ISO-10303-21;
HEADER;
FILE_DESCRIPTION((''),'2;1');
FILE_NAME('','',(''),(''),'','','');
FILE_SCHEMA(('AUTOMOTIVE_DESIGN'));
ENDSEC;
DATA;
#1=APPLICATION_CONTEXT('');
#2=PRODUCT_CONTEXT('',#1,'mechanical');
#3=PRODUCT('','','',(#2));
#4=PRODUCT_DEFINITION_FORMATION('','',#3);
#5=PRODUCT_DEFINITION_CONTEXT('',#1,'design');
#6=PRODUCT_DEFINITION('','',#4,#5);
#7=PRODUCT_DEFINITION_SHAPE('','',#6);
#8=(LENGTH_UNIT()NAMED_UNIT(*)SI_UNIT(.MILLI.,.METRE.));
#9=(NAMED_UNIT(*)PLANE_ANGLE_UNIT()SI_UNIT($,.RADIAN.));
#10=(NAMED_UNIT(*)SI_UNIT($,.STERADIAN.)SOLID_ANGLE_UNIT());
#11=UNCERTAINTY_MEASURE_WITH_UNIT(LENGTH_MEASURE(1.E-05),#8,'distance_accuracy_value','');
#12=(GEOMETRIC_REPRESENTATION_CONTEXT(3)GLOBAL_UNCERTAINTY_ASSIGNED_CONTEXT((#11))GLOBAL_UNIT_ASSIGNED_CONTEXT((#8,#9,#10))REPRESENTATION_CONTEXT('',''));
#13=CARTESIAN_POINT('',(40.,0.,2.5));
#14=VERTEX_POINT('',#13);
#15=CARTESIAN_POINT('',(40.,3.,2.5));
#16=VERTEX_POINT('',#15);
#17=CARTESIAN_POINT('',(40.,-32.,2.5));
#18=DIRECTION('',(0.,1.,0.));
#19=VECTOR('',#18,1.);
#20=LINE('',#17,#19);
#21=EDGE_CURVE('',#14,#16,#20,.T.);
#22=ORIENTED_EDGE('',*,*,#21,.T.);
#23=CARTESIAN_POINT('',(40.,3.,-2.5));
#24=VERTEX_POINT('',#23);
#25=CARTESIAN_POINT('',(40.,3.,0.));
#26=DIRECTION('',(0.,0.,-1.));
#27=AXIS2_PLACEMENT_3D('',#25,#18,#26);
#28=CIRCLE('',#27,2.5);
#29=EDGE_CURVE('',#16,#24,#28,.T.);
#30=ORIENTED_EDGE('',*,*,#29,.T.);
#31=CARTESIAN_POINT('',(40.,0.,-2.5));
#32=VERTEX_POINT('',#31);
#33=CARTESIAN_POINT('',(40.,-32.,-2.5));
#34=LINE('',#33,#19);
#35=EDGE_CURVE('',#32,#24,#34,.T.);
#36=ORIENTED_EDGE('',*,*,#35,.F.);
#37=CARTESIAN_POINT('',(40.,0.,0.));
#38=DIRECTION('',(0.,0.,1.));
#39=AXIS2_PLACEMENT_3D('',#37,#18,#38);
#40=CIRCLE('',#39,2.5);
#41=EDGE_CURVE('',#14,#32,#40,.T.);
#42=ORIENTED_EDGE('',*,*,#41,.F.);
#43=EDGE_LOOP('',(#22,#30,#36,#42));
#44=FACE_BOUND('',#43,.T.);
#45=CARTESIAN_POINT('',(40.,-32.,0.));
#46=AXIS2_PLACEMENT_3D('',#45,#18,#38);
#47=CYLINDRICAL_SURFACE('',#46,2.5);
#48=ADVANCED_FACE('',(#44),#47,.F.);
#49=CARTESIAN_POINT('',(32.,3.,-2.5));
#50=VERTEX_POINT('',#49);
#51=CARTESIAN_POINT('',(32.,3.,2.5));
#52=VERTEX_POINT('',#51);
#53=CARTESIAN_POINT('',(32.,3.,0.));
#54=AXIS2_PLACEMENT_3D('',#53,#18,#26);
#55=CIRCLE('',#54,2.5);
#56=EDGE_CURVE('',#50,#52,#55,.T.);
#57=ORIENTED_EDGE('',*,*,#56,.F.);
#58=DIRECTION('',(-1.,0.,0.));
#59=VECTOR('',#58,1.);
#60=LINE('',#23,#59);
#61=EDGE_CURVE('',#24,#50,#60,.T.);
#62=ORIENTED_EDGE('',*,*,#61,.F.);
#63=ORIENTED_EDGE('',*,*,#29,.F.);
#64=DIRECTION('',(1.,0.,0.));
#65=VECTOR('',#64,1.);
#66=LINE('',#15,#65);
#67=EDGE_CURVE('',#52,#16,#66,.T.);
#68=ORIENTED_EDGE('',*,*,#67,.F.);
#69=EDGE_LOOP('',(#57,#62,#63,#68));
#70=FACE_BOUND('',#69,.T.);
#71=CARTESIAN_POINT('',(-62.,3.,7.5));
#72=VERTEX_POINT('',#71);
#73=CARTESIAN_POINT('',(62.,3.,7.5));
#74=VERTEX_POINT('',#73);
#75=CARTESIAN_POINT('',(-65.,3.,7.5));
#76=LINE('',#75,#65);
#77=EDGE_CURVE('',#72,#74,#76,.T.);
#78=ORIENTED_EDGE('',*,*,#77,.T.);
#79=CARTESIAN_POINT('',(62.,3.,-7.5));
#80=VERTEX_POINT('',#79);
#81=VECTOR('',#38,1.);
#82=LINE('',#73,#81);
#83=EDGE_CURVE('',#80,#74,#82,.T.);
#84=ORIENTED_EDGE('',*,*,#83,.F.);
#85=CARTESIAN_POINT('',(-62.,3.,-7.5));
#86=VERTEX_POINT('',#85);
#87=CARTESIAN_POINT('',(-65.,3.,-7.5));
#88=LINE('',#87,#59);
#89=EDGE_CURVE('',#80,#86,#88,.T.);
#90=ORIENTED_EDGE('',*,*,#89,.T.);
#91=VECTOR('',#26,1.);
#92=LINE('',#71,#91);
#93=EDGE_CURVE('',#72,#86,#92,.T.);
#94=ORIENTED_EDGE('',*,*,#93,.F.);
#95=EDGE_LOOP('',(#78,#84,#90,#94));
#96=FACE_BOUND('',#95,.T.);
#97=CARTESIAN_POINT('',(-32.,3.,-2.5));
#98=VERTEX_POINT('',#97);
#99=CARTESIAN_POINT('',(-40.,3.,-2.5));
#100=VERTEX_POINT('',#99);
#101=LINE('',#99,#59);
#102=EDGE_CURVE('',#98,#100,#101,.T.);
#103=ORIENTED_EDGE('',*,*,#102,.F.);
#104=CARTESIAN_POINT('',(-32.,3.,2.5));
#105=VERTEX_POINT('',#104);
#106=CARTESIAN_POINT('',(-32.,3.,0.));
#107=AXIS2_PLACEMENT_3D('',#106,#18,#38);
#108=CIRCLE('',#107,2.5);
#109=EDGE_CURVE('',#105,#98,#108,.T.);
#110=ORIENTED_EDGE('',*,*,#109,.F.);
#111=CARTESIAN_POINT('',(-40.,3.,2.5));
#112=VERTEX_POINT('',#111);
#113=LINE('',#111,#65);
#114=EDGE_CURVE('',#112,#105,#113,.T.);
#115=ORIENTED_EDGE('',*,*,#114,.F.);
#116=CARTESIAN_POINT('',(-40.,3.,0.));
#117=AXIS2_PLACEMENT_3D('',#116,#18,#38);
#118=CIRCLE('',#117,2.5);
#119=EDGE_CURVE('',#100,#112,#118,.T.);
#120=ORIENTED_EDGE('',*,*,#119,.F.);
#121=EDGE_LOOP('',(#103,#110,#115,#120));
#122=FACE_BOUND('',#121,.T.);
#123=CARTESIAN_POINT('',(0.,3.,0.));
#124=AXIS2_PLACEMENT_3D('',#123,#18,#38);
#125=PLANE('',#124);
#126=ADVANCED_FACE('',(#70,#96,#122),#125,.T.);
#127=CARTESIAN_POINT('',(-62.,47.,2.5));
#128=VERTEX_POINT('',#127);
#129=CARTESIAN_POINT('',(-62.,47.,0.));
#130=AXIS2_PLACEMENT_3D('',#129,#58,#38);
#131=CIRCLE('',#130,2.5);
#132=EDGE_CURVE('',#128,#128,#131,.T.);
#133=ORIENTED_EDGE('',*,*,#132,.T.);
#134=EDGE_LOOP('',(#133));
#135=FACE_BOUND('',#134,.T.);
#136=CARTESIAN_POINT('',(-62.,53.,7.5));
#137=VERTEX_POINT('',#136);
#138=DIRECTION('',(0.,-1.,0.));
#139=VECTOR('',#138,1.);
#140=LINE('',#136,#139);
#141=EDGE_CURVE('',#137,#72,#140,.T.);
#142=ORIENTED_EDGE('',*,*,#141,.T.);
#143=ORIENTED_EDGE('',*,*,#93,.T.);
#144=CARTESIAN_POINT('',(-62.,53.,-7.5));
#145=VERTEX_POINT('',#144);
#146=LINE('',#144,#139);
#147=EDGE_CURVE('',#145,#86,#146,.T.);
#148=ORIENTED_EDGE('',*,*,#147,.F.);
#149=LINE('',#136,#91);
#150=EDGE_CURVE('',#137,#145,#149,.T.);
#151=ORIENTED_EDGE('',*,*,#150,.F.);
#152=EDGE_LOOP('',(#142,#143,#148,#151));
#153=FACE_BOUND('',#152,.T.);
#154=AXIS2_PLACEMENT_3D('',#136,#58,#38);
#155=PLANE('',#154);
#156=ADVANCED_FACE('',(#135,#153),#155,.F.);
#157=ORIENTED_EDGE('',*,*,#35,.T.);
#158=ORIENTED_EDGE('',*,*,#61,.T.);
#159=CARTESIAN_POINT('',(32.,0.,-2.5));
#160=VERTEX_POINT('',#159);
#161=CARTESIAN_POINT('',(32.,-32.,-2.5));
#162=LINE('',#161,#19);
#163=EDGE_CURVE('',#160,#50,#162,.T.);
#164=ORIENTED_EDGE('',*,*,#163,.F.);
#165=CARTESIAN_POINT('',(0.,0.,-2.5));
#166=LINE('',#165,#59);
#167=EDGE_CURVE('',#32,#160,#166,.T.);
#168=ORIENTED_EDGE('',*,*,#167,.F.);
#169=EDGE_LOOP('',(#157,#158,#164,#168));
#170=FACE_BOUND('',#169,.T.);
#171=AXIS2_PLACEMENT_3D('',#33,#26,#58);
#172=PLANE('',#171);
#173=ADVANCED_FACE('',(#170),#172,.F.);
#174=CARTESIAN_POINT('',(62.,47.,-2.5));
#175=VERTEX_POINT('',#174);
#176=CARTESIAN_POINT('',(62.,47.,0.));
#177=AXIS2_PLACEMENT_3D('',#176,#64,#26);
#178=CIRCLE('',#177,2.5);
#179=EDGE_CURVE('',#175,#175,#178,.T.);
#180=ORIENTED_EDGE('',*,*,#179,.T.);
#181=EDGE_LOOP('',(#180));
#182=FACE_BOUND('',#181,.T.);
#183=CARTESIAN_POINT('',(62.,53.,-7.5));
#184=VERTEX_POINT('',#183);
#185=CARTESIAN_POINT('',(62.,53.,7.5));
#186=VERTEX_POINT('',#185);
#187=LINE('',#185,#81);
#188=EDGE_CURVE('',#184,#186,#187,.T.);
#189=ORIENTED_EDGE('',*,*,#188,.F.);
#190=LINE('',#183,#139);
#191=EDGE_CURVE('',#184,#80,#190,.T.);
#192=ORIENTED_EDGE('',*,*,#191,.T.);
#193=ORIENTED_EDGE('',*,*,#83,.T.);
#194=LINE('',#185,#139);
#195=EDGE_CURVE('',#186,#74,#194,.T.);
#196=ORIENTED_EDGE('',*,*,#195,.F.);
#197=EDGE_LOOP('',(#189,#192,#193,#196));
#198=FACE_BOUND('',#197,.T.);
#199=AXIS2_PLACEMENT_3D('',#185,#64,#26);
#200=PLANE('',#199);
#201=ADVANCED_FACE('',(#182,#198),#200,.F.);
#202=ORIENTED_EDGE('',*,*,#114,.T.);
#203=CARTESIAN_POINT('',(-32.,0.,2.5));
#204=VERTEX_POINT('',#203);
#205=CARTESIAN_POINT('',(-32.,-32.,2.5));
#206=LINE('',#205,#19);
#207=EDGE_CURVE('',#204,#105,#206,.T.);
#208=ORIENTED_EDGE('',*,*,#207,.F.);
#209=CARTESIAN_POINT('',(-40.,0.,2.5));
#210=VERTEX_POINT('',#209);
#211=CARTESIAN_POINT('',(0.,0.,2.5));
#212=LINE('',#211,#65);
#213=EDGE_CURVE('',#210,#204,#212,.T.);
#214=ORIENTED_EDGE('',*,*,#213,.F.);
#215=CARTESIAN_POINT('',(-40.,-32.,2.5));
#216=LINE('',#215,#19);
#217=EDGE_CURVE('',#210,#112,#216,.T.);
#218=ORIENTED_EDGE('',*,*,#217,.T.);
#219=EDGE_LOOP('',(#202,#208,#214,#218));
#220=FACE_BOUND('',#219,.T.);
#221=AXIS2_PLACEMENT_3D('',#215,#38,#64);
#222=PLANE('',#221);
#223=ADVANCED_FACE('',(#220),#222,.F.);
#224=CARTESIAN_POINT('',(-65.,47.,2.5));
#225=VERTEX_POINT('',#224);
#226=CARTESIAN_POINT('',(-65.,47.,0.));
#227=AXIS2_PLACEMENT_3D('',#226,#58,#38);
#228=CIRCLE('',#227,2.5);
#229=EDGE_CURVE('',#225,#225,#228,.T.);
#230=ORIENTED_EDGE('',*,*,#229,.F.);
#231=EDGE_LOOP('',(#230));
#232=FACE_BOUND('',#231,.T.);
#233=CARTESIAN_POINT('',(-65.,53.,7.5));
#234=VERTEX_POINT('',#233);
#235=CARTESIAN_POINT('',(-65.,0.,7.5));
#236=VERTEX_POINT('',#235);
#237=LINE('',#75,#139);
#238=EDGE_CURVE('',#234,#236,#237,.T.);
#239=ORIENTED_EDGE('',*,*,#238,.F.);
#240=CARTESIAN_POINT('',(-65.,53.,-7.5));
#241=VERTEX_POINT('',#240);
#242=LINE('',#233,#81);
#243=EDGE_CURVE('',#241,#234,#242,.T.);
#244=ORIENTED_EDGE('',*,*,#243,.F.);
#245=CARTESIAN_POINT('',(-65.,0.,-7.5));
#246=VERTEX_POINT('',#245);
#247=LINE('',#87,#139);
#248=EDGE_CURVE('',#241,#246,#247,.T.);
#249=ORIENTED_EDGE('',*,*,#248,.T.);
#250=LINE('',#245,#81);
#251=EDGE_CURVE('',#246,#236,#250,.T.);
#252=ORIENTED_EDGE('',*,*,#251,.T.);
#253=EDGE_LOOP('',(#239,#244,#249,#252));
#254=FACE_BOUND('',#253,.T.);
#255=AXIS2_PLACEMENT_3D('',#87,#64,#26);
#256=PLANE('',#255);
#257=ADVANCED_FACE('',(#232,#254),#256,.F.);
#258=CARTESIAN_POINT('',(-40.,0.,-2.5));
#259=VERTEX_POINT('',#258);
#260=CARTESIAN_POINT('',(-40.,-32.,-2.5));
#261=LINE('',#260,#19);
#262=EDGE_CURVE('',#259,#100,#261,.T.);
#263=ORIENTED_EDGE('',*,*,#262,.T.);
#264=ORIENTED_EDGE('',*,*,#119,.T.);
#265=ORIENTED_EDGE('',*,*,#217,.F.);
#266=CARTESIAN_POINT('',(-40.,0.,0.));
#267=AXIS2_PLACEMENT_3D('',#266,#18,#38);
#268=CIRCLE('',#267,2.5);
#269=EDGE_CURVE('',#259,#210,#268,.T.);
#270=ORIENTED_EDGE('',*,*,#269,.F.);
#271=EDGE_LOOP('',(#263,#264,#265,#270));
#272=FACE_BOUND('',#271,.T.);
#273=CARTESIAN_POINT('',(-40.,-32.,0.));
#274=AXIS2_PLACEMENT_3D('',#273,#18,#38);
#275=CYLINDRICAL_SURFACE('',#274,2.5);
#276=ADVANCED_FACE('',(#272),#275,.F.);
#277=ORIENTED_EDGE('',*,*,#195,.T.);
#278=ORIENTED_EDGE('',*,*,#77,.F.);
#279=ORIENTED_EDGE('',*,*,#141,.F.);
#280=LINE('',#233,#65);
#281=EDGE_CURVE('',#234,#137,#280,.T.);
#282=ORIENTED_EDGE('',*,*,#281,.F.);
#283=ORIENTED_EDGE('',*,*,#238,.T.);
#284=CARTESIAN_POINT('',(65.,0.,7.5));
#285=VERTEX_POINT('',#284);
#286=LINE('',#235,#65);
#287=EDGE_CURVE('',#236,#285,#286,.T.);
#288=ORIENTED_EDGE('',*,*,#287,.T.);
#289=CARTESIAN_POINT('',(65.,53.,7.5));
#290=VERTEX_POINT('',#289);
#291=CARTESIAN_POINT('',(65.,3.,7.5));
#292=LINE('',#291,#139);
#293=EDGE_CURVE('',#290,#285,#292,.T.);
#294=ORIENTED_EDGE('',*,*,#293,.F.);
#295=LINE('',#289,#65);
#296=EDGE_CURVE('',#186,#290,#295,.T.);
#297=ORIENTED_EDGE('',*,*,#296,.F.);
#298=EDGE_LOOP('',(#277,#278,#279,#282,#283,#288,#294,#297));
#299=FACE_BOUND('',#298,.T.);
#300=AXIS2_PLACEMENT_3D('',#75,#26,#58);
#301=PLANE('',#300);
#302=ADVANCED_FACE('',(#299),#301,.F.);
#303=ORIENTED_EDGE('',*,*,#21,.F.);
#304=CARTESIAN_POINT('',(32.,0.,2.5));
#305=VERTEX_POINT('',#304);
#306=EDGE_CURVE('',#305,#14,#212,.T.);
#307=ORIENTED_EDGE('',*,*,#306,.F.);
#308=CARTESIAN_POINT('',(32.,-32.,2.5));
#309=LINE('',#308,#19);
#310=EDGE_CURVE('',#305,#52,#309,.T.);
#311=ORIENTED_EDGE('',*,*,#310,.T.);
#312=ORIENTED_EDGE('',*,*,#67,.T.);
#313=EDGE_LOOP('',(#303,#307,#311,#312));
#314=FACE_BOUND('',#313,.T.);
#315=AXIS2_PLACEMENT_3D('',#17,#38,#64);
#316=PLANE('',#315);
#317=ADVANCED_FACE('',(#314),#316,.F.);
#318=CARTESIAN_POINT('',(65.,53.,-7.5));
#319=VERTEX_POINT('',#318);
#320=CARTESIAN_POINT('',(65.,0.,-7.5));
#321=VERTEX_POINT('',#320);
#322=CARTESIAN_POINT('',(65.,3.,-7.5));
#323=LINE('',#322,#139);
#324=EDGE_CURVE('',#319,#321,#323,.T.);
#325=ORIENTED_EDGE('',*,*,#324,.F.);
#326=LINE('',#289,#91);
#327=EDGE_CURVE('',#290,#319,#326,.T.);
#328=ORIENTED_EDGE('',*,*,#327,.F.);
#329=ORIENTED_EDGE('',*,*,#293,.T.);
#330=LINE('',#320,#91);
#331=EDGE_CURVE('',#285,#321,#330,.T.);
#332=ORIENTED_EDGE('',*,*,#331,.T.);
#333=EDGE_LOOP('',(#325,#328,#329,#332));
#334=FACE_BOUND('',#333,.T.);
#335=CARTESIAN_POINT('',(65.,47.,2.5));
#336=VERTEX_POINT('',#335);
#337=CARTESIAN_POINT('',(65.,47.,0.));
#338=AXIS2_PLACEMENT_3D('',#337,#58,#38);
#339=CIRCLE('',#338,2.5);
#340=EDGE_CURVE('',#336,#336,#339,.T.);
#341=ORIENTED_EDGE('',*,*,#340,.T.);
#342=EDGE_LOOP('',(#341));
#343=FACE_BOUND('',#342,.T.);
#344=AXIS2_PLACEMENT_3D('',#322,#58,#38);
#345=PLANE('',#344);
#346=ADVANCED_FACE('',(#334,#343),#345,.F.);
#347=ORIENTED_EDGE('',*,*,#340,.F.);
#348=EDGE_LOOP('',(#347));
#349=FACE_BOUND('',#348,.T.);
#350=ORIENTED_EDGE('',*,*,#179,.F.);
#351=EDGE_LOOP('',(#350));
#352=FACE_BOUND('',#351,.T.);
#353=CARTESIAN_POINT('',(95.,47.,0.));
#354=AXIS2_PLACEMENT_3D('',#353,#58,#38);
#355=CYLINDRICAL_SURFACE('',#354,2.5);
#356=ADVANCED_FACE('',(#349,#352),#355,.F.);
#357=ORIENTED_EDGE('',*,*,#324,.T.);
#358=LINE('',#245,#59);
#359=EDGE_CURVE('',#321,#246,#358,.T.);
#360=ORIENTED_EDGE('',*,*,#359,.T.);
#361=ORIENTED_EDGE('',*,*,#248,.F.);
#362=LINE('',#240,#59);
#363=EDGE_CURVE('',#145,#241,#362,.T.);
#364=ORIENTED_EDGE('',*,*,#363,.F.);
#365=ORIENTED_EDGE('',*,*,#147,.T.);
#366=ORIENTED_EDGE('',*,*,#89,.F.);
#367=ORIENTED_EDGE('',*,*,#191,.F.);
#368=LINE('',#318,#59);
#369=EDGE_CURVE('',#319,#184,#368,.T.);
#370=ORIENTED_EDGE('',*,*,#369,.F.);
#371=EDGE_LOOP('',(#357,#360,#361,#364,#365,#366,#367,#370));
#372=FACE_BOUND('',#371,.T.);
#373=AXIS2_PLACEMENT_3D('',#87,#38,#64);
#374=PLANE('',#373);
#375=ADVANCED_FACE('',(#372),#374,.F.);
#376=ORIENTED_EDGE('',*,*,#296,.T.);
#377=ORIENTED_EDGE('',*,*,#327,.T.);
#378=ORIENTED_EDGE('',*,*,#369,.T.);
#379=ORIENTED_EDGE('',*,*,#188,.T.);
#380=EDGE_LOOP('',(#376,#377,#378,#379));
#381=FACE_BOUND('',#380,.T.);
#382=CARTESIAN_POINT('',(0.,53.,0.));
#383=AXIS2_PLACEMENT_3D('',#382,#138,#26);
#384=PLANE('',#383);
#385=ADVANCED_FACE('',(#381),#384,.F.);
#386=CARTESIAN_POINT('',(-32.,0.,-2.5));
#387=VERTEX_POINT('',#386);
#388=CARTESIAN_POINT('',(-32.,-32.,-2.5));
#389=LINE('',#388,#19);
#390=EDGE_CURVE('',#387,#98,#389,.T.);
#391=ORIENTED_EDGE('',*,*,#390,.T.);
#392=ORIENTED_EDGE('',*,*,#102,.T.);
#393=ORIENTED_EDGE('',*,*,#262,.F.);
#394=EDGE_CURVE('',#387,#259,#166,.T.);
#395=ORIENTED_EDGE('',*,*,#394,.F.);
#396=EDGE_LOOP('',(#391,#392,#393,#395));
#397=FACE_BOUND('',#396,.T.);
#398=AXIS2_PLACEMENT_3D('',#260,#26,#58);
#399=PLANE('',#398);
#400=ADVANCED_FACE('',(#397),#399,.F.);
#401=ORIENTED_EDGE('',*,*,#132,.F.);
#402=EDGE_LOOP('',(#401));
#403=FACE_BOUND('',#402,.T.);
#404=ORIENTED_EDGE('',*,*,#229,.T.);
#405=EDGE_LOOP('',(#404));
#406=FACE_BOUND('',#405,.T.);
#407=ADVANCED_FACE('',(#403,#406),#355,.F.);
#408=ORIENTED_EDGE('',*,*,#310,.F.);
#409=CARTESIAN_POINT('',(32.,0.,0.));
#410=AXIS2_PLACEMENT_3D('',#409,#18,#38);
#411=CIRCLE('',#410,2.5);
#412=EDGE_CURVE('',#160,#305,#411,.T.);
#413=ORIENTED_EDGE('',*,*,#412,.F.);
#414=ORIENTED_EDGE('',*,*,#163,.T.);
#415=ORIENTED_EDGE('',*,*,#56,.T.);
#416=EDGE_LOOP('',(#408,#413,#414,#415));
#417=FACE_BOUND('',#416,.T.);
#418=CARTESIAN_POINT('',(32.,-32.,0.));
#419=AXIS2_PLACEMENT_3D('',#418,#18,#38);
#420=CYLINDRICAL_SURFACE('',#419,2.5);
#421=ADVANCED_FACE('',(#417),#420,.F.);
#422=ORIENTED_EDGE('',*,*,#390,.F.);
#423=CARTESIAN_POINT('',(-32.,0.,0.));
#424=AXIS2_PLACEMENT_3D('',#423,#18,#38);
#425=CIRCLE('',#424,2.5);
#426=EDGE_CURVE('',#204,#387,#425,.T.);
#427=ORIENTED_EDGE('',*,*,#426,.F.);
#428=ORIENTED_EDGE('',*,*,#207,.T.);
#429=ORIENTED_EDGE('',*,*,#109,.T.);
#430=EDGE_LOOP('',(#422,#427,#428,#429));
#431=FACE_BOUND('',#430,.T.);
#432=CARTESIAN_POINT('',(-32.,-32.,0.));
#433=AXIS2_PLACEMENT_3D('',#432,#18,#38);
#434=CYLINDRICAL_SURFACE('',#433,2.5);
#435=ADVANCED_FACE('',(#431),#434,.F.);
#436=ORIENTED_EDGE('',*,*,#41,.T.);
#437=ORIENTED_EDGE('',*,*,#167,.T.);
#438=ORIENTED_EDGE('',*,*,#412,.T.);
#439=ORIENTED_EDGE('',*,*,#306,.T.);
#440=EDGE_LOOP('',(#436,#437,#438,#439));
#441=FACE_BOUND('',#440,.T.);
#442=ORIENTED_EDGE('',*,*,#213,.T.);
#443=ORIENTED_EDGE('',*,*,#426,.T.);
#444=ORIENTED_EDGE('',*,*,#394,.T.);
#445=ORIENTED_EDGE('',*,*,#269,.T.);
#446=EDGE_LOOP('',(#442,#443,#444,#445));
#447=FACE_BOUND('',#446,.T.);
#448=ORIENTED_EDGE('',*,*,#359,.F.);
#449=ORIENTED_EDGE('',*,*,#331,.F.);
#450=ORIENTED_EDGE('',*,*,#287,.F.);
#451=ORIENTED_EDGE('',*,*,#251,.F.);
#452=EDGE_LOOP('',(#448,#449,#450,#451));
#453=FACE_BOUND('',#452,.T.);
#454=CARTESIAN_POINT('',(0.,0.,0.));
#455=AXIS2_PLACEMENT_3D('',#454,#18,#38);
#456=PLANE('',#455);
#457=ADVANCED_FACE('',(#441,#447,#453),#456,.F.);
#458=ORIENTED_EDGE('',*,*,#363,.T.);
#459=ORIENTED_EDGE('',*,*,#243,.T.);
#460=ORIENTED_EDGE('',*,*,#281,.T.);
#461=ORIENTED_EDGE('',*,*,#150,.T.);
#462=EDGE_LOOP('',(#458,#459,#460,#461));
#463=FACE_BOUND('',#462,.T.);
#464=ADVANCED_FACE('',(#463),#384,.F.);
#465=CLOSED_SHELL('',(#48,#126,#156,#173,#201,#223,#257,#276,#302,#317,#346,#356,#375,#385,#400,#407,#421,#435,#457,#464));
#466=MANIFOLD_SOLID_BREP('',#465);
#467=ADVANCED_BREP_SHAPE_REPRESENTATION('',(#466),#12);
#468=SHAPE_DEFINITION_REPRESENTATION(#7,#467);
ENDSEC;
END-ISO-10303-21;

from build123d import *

# Parameters (mm, degrees)
SKETCH_3_W          = 130
SKETCH_3_H          = 15
EXTRUDE_1_DEPTH     = 3
CUT_EXTRUDE_1_DEPTH = 35
SKETCH_5_W          = 3
SKETCH_5_H          = 15
EXTRUDE_2_DEPTH     = 50
SKETCH_6_R          = 2.5
CUT_EXTRUDE_2_DEPTH = 160


with BuildPart() as part:
    # 草图3 → 凸台-拉伸1 (new body)
    with BuildSketch(Plane(origin=(0, 0, 0), x_dir=(1, 0, 0), z_dir=(0, 1, 0))):
        Rectangle(SKETCH_3_W, SKETCH_3_H)
    extrude(amount=EXTRUDE_1_DEPTH)

    # 草图4 → 切除-拉伸1 (cut)
    with BuildSketch(Plane(origin=(0, 3, 0), x_dir=(1, 0, 0), z_dir=(0, 1, 0))):
        with BuildLine():
            Line((-40, 2.5), (-32, 2.5))
            ThreePointArc((-32, 2.5), (-29.5, 0), (-32, -2.5))
            Line((-32, -2.5), (-40, -2.5))
            ThreePointArc((-40, -2.5), (-42.5, 0), (-40, 2.5))
        make_face()
        with BuildLine():
            Line((40, -2.5), (32, -2.5))
            ThreePointArc((32, -2.5), (29.5, 0), (32, 2.5))
            Line((32, 2.5), (40, 2.5))
            ThreePointArc((40, 2.5), (42.5, 0), (40, -2.5))
        make_face()
    extrude(amount=-CUT_EXTRUDE_1_DEPTH, mode=Mode.SUBTRACT)

    # 草图5 → 凸台-拉伸2 (add)
    with BuildSketch(Plane(origin=(0, 3, 0), x_dir=(1, 0, 0), z_dir=(0, 1, 0))):
        with Locations((-63.5, 0)):
            Rectangle(SKETCH_5_W, SKETCH_5_H)
        with Locations((63.5, 0)):
            Rectangle(SKETCH_5_W, SKETCH_5_H)
    extrude(amount=EXTRUDE_2_DEPTH)

    # 草图6 → 切除-拉伸2 (cut)
    with BuildSketch(Plane.ZY.offset(65)):
        with Locations((0, 47)):
            Circle(SKETCH_6_R)
    extrude(amount=-CUT_EXTRUDE_2_DEPTH, mode=Mode.SUBTRACT)


solid = part.part
